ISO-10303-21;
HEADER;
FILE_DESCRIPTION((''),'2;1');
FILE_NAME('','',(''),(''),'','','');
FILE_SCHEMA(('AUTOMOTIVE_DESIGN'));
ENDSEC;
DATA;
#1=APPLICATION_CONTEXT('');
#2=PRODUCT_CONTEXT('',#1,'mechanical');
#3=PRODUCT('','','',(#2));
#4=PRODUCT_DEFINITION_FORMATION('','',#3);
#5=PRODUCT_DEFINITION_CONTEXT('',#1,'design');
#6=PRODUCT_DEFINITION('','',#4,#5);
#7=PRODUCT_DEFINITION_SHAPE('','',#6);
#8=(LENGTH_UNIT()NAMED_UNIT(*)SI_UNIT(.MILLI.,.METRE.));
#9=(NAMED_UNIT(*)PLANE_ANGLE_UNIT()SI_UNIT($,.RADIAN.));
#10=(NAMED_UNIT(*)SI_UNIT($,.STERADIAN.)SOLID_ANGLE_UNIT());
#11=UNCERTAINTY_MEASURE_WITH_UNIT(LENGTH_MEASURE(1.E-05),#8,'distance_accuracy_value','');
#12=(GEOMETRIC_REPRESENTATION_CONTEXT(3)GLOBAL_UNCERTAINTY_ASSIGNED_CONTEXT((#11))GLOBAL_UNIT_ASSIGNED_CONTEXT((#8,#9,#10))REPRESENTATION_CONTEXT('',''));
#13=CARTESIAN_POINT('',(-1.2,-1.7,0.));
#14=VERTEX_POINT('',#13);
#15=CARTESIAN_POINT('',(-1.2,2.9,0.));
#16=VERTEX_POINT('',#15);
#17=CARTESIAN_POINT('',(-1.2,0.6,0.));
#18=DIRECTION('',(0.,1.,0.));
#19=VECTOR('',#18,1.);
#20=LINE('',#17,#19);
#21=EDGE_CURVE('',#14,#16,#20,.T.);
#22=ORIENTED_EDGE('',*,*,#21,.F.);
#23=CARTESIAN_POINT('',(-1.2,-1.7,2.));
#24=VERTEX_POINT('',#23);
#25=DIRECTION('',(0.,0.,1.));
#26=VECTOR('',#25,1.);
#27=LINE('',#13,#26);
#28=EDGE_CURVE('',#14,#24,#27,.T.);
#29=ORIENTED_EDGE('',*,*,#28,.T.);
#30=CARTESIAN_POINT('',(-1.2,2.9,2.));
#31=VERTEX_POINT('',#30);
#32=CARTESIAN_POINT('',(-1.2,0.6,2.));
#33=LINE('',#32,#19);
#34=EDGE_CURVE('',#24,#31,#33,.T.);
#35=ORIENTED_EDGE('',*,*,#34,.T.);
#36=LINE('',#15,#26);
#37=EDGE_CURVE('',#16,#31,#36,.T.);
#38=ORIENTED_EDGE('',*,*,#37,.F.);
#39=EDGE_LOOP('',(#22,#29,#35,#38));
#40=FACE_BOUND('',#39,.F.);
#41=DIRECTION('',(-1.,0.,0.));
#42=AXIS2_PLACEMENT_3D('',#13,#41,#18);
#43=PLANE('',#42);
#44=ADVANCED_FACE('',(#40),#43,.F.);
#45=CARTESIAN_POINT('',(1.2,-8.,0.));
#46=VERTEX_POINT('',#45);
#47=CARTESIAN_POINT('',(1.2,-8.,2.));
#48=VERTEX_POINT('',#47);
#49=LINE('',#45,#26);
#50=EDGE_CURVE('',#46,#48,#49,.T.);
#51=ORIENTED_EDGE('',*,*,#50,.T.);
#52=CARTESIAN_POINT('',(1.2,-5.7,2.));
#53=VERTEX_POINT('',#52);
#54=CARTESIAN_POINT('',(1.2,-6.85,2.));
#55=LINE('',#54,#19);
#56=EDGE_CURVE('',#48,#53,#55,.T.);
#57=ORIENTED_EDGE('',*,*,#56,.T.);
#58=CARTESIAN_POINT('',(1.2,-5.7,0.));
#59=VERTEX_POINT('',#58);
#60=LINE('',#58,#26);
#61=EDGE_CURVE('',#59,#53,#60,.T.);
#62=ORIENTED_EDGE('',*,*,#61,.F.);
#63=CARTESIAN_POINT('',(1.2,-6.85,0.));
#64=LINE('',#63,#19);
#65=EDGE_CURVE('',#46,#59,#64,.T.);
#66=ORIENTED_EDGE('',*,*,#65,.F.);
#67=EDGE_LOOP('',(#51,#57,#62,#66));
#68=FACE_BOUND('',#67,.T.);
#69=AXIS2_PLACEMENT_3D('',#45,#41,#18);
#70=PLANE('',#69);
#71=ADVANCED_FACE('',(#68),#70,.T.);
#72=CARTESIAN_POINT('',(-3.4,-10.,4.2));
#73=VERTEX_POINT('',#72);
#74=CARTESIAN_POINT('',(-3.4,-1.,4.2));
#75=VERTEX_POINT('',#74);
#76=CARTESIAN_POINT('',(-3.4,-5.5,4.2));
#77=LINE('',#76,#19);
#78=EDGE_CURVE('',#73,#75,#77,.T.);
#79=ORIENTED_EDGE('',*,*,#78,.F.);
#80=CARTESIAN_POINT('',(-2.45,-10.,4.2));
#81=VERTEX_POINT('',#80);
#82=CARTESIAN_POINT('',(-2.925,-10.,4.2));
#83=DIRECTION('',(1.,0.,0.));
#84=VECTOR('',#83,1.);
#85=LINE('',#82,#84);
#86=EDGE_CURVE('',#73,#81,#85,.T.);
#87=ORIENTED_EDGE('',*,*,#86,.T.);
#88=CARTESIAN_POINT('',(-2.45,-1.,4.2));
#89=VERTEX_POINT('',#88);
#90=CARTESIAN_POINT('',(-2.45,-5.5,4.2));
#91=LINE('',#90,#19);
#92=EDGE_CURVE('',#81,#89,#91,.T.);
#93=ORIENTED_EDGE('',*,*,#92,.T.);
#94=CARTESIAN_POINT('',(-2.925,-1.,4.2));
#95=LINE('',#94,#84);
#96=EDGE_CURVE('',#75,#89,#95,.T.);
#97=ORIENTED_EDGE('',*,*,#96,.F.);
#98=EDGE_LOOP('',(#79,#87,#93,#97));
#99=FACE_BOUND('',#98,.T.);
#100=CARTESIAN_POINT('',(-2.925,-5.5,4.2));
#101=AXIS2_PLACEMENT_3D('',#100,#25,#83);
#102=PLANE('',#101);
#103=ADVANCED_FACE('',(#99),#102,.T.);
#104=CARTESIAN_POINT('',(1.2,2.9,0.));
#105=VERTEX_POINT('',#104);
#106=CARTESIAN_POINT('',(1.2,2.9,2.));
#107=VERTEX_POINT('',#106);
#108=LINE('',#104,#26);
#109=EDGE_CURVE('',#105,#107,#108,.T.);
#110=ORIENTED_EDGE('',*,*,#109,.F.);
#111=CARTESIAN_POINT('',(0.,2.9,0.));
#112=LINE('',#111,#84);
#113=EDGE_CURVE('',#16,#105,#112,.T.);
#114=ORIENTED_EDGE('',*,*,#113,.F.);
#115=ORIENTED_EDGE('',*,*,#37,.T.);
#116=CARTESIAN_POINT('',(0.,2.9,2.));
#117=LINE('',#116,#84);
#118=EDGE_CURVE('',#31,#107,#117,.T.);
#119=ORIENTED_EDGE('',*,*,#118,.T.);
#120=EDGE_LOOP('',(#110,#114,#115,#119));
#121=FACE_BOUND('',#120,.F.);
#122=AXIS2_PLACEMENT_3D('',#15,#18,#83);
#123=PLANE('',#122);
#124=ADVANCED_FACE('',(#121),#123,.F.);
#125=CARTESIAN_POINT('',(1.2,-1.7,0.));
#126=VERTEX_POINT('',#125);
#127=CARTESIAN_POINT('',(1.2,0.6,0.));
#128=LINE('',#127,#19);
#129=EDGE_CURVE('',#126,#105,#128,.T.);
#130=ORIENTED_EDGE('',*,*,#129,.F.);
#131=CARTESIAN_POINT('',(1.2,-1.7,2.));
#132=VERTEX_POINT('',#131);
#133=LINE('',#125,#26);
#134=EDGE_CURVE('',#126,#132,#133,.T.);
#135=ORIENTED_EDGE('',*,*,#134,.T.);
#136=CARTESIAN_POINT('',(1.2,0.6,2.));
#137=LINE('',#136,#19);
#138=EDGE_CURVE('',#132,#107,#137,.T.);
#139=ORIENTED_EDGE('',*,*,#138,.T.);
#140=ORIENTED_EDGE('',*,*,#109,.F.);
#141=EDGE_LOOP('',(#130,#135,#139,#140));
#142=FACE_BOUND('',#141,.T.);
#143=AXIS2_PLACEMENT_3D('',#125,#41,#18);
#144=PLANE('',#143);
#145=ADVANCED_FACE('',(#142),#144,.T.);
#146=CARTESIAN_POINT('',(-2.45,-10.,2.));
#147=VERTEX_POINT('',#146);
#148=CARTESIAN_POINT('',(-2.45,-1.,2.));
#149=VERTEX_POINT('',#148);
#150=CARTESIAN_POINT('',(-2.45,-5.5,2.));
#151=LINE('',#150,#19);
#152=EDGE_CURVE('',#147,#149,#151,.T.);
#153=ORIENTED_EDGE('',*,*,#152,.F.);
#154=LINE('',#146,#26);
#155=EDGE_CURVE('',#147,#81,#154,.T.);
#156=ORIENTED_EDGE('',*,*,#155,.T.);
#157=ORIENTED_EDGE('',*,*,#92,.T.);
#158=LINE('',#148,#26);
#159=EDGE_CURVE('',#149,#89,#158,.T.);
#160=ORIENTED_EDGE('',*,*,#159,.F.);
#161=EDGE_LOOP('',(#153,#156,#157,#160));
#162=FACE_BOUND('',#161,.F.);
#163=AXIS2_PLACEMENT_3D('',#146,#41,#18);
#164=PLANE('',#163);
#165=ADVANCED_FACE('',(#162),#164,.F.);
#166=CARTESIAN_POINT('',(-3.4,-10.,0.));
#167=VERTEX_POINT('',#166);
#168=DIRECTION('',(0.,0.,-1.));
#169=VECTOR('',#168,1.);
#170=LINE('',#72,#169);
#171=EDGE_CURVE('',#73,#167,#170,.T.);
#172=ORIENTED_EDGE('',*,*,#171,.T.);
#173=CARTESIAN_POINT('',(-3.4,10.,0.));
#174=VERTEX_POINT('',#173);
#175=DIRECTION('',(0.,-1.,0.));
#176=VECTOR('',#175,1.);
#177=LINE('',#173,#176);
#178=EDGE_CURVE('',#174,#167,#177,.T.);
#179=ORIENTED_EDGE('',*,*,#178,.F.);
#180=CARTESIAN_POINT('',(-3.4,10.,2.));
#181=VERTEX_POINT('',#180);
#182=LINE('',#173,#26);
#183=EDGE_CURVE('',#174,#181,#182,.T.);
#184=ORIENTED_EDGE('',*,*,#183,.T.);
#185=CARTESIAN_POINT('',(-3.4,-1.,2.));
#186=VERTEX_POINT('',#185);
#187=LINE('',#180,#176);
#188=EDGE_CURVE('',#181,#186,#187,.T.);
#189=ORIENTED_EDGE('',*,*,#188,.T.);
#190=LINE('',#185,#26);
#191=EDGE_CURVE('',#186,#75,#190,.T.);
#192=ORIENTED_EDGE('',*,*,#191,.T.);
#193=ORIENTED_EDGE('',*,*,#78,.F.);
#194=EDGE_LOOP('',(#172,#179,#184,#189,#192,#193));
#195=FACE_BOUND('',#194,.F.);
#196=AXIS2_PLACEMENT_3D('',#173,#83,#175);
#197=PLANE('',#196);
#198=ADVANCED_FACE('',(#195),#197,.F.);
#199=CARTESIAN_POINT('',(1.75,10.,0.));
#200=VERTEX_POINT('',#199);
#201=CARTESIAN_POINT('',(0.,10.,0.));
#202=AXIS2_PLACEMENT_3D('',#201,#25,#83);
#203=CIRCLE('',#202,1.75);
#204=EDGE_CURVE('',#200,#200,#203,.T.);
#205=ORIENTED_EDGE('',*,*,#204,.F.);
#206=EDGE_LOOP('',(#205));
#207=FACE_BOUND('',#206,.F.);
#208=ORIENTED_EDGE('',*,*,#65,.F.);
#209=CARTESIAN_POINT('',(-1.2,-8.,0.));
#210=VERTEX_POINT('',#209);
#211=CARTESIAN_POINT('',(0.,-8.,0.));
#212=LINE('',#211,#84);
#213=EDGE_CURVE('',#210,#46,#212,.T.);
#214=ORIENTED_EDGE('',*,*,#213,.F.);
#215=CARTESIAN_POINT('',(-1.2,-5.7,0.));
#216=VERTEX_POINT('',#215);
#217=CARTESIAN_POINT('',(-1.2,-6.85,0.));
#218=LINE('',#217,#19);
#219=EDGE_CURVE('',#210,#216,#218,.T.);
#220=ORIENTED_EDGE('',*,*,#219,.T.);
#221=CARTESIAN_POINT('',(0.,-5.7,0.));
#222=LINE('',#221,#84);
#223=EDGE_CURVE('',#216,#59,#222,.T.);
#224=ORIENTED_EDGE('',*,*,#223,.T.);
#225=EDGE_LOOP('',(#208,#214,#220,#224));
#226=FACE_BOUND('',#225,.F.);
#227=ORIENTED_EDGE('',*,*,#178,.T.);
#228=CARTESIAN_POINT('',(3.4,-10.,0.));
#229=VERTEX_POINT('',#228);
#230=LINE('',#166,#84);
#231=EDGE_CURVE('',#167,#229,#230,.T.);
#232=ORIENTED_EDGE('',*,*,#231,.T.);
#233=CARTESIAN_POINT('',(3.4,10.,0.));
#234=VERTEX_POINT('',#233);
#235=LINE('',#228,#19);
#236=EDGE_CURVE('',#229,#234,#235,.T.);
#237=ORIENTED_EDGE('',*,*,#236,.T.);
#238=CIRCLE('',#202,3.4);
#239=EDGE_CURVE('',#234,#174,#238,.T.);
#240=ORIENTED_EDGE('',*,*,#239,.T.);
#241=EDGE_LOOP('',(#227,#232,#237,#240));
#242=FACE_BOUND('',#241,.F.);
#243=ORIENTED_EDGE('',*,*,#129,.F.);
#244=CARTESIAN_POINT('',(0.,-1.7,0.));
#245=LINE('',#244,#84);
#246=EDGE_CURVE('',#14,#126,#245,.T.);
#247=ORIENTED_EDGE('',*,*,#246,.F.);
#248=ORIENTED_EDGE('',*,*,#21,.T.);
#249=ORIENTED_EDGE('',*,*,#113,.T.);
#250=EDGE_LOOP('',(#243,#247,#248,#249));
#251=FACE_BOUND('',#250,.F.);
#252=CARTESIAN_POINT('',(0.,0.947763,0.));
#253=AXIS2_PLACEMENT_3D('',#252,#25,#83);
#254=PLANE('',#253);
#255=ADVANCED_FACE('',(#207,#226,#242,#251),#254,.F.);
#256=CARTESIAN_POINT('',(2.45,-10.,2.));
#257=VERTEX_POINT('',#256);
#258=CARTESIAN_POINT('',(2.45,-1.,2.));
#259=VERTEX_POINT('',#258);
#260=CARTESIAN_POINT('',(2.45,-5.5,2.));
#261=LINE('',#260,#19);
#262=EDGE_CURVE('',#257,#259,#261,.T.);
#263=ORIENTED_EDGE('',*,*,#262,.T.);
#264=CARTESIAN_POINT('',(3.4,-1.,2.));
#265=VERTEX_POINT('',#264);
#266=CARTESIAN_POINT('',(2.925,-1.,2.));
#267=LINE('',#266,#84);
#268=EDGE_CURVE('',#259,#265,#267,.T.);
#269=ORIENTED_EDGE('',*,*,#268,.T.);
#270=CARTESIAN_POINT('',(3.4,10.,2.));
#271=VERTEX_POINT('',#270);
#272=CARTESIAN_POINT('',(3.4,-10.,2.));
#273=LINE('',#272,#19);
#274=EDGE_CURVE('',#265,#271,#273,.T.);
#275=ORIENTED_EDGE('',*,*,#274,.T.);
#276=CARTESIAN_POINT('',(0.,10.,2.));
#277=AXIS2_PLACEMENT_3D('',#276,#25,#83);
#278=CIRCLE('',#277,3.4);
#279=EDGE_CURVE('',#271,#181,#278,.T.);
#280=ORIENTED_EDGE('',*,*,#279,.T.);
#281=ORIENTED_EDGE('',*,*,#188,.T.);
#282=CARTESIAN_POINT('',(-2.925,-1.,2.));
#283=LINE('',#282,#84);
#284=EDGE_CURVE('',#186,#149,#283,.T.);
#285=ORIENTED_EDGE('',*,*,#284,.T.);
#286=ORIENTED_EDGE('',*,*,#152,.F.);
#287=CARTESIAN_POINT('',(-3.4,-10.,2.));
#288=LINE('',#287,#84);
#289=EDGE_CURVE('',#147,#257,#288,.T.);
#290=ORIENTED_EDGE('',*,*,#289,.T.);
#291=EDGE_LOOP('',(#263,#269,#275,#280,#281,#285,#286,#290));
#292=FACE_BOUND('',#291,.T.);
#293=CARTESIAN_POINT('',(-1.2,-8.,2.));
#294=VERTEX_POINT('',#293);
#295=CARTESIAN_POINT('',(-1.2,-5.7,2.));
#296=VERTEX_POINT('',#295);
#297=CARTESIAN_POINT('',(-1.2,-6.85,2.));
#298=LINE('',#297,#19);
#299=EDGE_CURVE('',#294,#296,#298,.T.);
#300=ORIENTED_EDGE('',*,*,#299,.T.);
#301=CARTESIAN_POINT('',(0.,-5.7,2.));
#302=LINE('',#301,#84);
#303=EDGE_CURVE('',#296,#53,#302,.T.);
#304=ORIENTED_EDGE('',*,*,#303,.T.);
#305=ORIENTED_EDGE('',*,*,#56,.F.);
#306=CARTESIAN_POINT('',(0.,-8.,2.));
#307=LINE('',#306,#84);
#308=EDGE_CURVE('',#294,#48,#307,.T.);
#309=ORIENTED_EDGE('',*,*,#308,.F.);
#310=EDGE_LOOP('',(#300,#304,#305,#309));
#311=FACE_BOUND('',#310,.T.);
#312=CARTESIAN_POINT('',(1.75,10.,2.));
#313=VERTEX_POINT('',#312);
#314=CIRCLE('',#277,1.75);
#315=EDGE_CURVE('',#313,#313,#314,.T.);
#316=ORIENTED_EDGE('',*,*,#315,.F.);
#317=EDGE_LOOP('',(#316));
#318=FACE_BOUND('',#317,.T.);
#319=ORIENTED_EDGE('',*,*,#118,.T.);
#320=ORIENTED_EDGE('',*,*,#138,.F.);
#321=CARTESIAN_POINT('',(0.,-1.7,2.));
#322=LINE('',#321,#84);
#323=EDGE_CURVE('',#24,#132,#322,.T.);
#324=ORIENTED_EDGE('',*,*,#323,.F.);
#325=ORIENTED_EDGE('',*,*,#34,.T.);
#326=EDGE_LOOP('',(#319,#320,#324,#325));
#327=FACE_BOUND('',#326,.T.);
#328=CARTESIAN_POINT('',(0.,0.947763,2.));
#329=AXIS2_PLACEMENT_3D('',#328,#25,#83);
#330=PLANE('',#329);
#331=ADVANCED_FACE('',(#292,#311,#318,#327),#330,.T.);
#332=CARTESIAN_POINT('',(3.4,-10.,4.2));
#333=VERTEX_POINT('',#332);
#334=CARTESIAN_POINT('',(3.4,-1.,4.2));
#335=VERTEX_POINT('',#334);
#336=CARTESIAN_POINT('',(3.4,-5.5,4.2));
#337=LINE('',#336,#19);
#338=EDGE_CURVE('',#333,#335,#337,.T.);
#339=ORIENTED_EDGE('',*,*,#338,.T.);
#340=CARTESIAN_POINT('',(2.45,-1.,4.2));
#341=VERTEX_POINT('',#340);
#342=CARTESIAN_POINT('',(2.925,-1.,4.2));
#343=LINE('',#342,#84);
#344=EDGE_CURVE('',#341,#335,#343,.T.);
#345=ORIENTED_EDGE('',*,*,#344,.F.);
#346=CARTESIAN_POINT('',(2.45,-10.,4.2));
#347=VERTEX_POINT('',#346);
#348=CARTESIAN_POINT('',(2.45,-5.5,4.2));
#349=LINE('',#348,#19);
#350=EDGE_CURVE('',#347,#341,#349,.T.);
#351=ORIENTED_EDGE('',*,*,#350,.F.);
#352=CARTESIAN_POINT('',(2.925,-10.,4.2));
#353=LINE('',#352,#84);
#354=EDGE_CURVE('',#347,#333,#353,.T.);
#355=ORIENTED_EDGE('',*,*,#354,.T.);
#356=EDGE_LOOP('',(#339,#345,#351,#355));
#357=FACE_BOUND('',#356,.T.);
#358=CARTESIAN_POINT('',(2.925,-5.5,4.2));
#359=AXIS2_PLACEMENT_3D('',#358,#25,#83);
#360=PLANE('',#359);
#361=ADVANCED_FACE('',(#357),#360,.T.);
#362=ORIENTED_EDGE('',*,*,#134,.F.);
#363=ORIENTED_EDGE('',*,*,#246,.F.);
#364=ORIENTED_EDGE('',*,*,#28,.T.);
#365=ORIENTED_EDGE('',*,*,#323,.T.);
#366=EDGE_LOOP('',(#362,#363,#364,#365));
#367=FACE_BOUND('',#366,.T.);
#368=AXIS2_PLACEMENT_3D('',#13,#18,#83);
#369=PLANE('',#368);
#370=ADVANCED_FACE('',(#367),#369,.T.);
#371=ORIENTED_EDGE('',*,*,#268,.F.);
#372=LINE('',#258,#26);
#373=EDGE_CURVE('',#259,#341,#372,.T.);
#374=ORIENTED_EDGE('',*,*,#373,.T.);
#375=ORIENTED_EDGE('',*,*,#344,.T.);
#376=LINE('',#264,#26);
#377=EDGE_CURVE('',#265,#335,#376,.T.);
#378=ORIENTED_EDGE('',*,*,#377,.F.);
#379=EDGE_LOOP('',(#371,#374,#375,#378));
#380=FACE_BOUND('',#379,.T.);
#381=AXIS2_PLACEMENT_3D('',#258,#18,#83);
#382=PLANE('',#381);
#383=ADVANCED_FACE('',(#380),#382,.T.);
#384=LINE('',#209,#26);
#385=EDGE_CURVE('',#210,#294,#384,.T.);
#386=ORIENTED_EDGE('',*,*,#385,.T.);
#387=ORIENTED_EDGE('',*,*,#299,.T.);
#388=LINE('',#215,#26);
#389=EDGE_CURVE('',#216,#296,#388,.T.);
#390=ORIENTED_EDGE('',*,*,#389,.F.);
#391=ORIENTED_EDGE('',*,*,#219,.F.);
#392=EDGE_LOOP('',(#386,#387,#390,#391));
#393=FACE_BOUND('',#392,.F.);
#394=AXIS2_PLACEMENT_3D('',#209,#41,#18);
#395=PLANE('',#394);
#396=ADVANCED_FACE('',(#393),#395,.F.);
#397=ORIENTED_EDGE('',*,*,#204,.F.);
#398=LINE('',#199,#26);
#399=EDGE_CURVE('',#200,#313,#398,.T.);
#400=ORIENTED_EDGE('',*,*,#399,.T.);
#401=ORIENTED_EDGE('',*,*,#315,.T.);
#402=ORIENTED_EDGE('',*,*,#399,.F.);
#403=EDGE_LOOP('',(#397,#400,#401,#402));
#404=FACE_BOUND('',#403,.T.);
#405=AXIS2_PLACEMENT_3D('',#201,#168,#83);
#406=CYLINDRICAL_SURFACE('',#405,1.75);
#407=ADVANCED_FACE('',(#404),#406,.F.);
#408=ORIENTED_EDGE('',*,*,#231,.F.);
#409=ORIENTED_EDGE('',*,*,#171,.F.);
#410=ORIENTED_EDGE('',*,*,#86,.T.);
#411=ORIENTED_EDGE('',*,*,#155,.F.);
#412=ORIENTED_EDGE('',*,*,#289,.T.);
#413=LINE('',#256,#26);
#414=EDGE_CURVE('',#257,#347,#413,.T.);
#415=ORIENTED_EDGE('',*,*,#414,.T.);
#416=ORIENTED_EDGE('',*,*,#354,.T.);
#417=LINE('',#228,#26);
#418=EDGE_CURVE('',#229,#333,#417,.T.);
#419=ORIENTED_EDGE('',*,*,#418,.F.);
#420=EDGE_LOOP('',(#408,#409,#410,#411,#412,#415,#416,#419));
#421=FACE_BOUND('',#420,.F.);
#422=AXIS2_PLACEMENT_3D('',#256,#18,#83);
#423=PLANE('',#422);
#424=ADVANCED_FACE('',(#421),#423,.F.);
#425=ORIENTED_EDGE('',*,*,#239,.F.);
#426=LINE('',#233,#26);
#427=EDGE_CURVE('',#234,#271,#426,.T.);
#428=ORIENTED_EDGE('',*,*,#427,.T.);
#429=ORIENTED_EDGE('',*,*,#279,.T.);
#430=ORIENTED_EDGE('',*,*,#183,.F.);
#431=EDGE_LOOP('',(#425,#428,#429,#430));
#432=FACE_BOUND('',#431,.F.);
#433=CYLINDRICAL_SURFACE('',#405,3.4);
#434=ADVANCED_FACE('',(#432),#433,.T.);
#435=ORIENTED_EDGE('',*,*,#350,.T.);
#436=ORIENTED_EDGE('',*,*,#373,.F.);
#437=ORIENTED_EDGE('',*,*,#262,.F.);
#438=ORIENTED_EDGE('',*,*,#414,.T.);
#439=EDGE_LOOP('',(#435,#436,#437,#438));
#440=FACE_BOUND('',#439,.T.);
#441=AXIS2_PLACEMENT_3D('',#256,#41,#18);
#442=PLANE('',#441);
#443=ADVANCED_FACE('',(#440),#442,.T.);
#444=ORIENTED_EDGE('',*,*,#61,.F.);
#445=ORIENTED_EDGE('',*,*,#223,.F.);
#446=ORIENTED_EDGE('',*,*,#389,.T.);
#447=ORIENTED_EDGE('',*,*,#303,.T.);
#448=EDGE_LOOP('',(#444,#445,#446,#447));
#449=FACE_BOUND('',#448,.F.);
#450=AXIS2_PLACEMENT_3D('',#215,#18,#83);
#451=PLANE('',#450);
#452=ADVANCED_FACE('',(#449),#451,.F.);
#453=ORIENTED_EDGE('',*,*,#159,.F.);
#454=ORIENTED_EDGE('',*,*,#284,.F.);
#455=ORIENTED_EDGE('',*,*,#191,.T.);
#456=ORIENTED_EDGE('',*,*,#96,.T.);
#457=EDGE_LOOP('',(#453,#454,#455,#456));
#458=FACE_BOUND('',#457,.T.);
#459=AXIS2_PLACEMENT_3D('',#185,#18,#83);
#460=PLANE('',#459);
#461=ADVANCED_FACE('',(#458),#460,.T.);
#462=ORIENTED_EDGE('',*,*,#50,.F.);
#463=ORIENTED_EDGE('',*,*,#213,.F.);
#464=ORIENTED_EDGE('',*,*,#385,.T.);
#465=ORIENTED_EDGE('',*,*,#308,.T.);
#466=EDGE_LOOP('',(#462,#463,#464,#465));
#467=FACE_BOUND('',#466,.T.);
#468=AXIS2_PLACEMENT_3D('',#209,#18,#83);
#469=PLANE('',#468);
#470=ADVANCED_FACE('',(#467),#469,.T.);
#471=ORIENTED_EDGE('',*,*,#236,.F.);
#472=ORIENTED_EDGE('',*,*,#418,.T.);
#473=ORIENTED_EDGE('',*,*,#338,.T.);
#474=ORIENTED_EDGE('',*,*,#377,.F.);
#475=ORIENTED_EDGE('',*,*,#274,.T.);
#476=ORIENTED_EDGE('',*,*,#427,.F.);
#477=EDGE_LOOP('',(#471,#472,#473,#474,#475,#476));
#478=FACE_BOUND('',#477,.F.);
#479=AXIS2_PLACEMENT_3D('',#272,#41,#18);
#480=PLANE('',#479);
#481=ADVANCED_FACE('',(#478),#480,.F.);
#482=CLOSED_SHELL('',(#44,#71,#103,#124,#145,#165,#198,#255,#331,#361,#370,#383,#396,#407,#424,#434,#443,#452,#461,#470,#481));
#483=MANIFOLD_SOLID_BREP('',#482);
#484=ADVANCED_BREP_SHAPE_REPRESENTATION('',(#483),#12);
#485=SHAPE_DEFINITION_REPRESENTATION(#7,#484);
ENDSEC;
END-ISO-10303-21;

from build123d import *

# Parameters (mm, degrees)
F0_W     = 2.4
F0_H     = 2.3
F0_H_2   = 4.6
F0_R     = 1.75
F1_DEPTH = 2
F2_W     = 0.95
F2_H     = 9
F3_DEPTH = 2.2


with BuildPart() as f1:
    # F0 (on Top) → F1 (new body)
    with BuildSketch(Plane.XY):
        with BuildLine():
            Line((3.4, -10), (3.4, 10))
            ThreePointArc((3.4, 10), (0, 13.4), (-3.4, 10))
            Line((-3.4, 10), (-3.4, -10))
            Line((-3.4, -10), (3.4, -10))
        make_face()
        with Locations((0, -6.85)):
            Rectangle(F0_W, F0_H, mode=Mode.SUBTRACT)
        with Locations((0, 0.6)):
            Rectangle(F0_W, F0_H_2, mode=Mode.SUBTRACT)
        with Locations((0, 10)):
            Circle(F0_R, mode=Mode.SUBTRACT)
    extrude(amount=F1_DEPTH)

    # F2 (on face) → F3 (join)
    with BuildSketch(Plane.XY.offset(2)):
        with Locations((2.925, -5.5)):
            Rectangle(F2_W, F2_H)
        with Locations((-2.925, -5.5)):
            Rectangle(F2_W, F2_H)
    extrude(amount=F3_DEPTH)


solid = f1.part
